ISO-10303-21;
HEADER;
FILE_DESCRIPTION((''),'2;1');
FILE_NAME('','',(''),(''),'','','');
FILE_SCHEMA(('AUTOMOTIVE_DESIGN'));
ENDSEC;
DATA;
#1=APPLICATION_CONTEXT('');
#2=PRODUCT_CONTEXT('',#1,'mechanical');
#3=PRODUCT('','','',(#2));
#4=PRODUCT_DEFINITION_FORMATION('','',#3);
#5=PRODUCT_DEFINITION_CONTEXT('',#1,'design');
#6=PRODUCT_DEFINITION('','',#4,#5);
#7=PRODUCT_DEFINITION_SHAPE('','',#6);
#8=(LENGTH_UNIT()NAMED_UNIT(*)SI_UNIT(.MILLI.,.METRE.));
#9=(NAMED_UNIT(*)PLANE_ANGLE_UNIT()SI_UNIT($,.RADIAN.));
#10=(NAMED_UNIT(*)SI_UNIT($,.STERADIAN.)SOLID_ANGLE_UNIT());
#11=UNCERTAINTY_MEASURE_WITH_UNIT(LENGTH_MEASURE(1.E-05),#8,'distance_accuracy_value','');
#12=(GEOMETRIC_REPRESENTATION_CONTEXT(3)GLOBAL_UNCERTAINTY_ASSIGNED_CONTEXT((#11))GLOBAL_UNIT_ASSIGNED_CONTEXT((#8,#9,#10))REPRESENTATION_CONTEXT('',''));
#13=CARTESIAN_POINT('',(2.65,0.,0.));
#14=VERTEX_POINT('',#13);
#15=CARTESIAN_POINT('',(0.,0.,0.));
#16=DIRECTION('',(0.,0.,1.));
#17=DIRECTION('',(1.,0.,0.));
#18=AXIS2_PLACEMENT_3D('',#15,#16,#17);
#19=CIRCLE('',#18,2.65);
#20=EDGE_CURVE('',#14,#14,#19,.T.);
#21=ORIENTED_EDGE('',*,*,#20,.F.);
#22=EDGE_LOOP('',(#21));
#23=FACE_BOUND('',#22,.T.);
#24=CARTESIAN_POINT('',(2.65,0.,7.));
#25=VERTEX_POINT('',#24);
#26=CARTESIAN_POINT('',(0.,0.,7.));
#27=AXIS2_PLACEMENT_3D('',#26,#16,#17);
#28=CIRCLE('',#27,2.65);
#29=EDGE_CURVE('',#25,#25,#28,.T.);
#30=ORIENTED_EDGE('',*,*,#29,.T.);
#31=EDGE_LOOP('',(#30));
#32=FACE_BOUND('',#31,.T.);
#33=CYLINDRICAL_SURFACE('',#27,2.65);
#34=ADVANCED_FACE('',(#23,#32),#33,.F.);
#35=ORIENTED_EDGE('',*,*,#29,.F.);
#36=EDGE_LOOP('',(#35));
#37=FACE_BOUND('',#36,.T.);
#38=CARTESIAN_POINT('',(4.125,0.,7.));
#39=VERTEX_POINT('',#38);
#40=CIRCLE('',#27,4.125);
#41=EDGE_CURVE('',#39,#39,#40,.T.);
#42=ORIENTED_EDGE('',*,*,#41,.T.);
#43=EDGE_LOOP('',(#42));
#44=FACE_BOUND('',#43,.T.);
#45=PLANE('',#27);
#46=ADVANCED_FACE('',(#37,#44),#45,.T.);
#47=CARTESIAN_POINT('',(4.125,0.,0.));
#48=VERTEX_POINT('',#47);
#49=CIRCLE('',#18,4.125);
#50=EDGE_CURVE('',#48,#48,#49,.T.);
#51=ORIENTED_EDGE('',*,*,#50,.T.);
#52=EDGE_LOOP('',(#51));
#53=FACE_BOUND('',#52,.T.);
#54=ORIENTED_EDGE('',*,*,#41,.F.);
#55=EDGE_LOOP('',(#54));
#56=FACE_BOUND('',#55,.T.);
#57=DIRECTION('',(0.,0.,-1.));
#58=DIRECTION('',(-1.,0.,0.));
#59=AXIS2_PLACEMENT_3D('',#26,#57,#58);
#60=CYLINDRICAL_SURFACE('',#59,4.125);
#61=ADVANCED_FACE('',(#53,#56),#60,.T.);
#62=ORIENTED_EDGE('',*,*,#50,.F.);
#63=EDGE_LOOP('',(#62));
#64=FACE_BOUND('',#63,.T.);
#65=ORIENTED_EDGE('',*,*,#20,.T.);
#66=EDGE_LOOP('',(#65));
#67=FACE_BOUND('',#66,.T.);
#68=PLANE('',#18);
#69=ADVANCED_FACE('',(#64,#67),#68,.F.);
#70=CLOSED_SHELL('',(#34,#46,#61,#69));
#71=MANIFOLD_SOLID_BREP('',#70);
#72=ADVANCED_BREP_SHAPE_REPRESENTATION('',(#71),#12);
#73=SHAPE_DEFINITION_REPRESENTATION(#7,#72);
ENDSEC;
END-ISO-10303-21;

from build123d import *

# Parameters (mm, degrees)
SKETCH1_R            = 4.125
BOSS_EXTRUDE1_DEPTH  = 7
M5_CLEARANCE_HOLE1_D = 5.3


with BuildPart() as part:
    # Sketch1 → Boss-Extrude1 (new body)
    with BuildSketch(Plane.XY):
        Circle(SKETCH1_R)
    extrude(amount=BOSS_EXTRUDE1_DEPTH)

    # M5 Clearance Hole1 (through all)
    with Locations(Plane.XY.offset(7)):
        with Locations((0, 0)):
            Hole(M5_CLEARANCE_HOLE1_D / 2)


solid = part.part
